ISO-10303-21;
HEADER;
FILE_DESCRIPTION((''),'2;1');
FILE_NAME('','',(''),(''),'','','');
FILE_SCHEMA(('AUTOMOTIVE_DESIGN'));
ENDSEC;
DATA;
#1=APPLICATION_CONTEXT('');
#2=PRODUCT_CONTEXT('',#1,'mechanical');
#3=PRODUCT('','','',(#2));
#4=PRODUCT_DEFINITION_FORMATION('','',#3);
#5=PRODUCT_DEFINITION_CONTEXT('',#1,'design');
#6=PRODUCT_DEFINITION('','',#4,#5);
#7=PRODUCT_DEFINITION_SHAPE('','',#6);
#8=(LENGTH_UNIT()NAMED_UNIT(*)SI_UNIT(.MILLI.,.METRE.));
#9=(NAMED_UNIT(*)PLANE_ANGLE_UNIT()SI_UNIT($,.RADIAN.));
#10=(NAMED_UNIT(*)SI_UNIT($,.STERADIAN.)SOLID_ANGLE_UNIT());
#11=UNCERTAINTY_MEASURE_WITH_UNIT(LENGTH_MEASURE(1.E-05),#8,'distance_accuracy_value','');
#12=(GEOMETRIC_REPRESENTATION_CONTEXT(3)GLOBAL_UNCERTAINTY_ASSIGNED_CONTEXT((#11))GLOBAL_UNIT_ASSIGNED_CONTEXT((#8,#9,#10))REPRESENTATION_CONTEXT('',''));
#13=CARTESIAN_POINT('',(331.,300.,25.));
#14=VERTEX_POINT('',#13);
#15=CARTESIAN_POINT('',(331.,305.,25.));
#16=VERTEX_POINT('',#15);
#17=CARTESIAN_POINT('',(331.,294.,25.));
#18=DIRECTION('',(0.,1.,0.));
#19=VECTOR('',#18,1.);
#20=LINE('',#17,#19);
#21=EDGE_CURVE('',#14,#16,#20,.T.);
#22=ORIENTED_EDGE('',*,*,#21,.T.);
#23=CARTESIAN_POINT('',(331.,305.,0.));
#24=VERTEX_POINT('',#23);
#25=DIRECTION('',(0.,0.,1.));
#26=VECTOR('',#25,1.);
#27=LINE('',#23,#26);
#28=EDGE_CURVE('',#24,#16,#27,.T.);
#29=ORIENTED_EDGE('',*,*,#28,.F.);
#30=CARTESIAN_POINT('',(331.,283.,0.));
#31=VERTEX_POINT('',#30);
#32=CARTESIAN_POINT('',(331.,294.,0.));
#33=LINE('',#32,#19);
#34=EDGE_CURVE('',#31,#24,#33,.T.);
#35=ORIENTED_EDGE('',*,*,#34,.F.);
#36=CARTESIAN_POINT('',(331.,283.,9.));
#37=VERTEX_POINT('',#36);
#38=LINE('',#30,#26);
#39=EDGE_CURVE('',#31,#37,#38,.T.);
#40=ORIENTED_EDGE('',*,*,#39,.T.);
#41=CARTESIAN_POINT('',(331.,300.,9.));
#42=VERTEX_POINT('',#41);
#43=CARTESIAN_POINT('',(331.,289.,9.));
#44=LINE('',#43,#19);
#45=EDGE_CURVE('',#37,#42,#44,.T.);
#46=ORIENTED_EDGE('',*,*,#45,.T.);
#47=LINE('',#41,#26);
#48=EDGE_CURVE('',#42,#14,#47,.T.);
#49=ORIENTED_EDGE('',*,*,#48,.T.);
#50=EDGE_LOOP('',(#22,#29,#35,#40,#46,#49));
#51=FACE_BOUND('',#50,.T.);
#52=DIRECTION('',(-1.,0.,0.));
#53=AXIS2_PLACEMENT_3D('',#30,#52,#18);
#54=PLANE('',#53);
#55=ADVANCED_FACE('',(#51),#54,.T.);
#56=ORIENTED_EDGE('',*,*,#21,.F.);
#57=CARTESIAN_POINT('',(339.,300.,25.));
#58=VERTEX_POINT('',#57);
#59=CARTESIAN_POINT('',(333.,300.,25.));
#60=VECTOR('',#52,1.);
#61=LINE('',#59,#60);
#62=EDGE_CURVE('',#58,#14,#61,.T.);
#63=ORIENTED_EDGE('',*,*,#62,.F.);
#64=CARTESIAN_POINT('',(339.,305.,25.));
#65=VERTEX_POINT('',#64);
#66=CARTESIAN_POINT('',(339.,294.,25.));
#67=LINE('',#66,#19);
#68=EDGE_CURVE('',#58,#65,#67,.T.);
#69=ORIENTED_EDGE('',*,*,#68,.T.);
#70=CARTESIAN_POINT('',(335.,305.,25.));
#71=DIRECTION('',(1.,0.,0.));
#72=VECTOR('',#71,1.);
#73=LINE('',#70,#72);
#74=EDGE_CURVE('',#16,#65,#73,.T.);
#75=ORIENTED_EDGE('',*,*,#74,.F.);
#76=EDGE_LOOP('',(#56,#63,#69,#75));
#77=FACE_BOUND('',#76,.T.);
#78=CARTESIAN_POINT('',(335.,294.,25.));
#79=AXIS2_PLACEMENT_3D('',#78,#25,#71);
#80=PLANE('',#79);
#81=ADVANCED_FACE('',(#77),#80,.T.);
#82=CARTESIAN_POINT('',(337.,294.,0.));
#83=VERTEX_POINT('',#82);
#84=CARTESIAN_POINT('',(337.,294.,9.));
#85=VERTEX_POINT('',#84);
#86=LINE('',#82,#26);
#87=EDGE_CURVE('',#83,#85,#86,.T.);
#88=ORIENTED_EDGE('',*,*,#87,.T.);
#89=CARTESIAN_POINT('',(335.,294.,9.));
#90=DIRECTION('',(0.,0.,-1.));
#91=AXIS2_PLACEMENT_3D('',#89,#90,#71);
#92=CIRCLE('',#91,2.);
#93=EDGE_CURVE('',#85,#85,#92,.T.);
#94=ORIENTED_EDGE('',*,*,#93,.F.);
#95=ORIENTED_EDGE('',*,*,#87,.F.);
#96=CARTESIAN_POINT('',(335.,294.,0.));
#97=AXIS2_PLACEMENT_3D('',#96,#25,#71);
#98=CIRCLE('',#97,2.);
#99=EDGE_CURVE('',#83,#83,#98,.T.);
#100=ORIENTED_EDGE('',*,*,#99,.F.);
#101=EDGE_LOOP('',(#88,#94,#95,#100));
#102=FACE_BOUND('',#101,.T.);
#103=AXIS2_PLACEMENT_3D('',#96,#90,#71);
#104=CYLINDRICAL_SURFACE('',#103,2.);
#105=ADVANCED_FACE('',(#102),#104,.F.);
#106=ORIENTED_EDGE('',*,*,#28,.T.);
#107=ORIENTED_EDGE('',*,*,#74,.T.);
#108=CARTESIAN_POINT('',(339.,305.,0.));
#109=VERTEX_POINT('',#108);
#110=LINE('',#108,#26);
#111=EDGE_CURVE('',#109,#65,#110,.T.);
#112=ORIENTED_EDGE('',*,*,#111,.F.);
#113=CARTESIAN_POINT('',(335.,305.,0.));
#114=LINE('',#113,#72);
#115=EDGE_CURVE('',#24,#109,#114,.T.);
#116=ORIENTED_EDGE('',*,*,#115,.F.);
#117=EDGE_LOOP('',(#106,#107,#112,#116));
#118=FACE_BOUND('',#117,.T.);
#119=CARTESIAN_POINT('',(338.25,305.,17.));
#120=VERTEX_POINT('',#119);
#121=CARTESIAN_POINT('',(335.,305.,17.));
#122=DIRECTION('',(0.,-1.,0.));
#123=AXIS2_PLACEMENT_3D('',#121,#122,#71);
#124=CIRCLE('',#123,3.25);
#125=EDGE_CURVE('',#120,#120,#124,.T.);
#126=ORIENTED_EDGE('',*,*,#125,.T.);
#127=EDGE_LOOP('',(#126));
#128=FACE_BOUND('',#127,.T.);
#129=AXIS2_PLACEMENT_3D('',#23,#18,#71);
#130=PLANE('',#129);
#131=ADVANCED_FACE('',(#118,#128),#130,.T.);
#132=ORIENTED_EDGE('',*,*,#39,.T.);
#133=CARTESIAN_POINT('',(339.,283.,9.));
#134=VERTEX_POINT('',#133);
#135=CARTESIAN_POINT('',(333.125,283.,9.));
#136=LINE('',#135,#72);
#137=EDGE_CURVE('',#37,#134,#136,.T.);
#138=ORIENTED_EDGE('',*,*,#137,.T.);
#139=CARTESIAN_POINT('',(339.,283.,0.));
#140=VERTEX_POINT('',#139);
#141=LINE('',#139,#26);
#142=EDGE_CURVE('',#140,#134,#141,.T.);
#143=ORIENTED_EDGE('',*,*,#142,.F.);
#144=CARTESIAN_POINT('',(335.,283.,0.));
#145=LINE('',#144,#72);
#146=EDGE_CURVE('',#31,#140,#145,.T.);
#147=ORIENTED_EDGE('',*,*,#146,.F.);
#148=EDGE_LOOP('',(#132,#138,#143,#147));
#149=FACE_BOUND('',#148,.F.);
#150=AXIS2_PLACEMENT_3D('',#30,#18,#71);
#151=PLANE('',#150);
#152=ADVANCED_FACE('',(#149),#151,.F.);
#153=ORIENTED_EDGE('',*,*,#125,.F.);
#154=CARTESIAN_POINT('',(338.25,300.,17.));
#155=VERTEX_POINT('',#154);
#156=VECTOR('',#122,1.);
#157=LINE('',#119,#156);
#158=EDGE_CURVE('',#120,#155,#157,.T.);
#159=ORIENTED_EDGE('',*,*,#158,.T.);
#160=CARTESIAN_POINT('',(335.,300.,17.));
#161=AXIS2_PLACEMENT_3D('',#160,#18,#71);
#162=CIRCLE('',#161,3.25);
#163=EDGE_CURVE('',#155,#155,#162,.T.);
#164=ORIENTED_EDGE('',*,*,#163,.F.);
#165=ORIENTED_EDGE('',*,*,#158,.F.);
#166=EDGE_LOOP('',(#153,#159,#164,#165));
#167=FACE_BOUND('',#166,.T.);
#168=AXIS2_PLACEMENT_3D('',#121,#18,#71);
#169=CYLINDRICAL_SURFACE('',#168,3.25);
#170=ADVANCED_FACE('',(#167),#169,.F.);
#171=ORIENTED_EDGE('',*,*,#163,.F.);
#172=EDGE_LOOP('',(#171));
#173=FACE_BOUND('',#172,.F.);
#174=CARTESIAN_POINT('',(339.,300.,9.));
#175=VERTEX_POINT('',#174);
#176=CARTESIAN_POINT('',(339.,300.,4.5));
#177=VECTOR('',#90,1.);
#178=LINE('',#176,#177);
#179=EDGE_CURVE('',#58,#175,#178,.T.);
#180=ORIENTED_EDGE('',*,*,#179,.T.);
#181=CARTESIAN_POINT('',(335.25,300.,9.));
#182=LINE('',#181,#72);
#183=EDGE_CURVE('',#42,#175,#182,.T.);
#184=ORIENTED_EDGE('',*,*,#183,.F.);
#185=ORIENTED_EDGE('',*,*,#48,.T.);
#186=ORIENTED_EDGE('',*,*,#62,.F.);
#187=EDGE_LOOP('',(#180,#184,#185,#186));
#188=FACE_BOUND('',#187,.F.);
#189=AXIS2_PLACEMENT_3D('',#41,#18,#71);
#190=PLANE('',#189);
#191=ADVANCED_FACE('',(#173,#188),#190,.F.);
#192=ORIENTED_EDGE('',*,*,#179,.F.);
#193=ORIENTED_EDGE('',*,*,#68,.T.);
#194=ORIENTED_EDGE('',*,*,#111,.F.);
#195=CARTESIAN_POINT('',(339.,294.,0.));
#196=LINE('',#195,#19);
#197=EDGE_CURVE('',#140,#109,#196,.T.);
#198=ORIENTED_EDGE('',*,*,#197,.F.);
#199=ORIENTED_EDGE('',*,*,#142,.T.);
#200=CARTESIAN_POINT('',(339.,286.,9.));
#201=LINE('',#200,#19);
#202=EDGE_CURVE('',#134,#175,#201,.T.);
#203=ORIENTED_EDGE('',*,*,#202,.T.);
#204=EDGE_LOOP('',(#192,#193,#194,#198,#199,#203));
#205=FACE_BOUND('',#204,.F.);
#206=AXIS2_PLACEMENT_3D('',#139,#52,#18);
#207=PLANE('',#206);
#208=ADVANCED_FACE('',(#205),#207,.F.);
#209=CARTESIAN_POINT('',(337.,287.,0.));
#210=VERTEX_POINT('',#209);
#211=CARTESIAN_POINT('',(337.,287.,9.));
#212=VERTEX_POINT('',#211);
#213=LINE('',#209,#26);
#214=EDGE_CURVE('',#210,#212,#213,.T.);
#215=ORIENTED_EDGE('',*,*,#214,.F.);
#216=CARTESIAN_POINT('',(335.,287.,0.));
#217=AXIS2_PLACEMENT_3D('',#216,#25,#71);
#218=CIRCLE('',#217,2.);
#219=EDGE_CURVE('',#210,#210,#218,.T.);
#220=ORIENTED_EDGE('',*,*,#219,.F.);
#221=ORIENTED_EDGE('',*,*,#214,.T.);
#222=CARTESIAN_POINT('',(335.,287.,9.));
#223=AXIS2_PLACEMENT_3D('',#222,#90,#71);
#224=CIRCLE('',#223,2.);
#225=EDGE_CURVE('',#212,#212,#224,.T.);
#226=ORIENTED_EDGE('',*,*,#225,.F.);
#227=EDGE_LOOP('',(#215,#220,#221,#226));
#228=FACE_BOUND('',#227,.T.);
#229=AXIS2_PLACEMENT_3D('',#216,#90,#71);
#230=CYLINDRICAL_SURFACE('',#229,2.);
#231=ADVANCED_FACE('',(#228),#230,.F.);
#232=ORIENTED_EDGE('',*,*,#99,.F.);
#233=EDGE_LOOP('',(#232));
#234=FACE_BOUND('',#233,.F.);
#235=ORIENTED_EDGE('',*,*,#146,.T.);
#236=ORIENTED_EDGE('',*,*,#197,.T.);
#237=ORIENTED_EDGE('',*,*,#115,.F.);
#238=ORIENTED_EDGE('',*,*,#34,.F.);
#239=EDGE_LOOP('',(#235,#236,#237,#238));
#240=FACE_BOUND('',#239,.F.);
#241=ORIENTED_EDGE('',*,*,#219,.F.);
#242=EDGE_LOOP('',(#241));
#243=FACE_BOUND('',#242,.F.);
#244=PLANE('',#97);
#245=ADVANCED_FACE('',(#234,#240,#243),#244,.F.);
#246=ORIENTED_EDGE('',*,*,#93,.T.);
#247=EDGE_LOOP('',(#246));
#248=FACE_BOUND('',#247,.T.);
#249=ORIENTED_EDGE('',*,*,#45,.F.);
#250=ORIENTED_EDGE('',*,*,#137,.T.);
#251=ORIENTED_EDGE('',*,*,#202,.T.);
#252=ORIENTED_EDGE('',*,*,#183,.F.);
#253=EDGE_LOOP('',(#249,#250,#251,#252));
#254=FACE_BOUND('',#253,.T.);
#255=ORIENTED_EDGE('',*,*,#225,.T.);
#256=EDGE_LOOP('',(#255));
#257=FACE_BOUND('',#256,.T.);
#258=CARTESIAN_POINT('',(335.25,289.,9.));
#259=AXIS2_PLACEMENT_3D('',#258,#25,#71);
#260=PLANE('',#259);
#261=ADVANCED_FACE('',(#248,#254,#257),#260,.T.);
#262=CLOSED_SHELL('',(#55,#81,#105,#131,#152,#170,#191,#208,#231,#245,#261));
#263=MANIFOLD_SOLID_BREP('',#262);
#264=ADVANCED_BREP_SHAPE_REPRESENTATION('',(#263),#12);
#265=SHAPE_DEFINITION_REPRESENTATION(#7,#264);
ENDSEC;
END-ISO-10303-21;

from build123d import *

# Parameters (mm, degrees)
CYLINDER084_R     = 2
CYLINDER084_DEPTH = 10
CYLINDER083_R     = 3.25
CYLINDER083_DEPTH = 10
CYLINDER082_R     = 2
CYLINDER082_DEPTH = 10
BOX069_W          = 8.5
BOX069_H          = 22
BOX069_DEPTH      = 25
BOX068_W          = 8
BOX068_H          = 22
BOX068_DEPTH      = 25


with BuildPart() as cylinder084:
    # Cylinder084 → Cylinder084 (new body)
    with BuildSketch(Plane(origin=(335, 287, 0), x_dir=(1, 0, 0), z_dir=(0, 0, 1))):
        Circle(CYLINDER084_R)
    extrude(amount=CYLINDER084_DEPTH)


with BuildPart() as cylinder083:
    # Cylinder083 → Cylinder083 (new body)
    with BuildSketch(Plane(origin=(335, 305, 17), x_dir=(1, 0, 0), z_dir=(0, -1, 0))):
        Circle(CYLINDER083_R)
    extrude(amount=CYLINDER083_DEPTH)


with BuildPart() as fusion049:
    # Cylinder082 → Cylinder082 (new body)
    with BuildSketch(Plane(origin=(335, 294, 0), x_dir=(1, 0, 0), z_dir=(0, 0, 1))):
        Circle(CYLINDER082_R)
    extrude(amount=CYLINDER082_DEPTH)

    # Fusion049: union Cylinder083
    add(cylinder083.part)


with BuildPart() as cube020:
    # Box069 → Box069 (new body)
    with BuildSketch(Plane(origin=(331, 278, 9), x_dir=(1, 0, 0), z_dir=(0, 0, 1))):
        with Locations((4.25, 11)):
            Rectangle(BOX069_W, BOX069_H)
    extrude(amount=BOX069_DEPTH)


with BuildPart() as antennaholder:
    # Box068 → Box068 (new body)
    with BuildSketch(Plane(origin=(331, 283, 0), x_dir=(1, 0, 0), z_dir=(0, 0, 1))):
        with Locations((4, 11)):
            Rectangle(BOX068_W, BOX068_H)
    extrude(amount=BOX068_DEPTH)

    # Cut061: cut Cube020
    add(cube020.part, mode=Mode.SUBTRACT)

    # Cut062: cut Fusion049
    add(fusion049.part, mode=Mode.SUBTRACT)

    # Cut063: cut Cylinder084
    add(cylinder084.part, mode=Mode.SUBTRACT)


solid = antennaholder.part
